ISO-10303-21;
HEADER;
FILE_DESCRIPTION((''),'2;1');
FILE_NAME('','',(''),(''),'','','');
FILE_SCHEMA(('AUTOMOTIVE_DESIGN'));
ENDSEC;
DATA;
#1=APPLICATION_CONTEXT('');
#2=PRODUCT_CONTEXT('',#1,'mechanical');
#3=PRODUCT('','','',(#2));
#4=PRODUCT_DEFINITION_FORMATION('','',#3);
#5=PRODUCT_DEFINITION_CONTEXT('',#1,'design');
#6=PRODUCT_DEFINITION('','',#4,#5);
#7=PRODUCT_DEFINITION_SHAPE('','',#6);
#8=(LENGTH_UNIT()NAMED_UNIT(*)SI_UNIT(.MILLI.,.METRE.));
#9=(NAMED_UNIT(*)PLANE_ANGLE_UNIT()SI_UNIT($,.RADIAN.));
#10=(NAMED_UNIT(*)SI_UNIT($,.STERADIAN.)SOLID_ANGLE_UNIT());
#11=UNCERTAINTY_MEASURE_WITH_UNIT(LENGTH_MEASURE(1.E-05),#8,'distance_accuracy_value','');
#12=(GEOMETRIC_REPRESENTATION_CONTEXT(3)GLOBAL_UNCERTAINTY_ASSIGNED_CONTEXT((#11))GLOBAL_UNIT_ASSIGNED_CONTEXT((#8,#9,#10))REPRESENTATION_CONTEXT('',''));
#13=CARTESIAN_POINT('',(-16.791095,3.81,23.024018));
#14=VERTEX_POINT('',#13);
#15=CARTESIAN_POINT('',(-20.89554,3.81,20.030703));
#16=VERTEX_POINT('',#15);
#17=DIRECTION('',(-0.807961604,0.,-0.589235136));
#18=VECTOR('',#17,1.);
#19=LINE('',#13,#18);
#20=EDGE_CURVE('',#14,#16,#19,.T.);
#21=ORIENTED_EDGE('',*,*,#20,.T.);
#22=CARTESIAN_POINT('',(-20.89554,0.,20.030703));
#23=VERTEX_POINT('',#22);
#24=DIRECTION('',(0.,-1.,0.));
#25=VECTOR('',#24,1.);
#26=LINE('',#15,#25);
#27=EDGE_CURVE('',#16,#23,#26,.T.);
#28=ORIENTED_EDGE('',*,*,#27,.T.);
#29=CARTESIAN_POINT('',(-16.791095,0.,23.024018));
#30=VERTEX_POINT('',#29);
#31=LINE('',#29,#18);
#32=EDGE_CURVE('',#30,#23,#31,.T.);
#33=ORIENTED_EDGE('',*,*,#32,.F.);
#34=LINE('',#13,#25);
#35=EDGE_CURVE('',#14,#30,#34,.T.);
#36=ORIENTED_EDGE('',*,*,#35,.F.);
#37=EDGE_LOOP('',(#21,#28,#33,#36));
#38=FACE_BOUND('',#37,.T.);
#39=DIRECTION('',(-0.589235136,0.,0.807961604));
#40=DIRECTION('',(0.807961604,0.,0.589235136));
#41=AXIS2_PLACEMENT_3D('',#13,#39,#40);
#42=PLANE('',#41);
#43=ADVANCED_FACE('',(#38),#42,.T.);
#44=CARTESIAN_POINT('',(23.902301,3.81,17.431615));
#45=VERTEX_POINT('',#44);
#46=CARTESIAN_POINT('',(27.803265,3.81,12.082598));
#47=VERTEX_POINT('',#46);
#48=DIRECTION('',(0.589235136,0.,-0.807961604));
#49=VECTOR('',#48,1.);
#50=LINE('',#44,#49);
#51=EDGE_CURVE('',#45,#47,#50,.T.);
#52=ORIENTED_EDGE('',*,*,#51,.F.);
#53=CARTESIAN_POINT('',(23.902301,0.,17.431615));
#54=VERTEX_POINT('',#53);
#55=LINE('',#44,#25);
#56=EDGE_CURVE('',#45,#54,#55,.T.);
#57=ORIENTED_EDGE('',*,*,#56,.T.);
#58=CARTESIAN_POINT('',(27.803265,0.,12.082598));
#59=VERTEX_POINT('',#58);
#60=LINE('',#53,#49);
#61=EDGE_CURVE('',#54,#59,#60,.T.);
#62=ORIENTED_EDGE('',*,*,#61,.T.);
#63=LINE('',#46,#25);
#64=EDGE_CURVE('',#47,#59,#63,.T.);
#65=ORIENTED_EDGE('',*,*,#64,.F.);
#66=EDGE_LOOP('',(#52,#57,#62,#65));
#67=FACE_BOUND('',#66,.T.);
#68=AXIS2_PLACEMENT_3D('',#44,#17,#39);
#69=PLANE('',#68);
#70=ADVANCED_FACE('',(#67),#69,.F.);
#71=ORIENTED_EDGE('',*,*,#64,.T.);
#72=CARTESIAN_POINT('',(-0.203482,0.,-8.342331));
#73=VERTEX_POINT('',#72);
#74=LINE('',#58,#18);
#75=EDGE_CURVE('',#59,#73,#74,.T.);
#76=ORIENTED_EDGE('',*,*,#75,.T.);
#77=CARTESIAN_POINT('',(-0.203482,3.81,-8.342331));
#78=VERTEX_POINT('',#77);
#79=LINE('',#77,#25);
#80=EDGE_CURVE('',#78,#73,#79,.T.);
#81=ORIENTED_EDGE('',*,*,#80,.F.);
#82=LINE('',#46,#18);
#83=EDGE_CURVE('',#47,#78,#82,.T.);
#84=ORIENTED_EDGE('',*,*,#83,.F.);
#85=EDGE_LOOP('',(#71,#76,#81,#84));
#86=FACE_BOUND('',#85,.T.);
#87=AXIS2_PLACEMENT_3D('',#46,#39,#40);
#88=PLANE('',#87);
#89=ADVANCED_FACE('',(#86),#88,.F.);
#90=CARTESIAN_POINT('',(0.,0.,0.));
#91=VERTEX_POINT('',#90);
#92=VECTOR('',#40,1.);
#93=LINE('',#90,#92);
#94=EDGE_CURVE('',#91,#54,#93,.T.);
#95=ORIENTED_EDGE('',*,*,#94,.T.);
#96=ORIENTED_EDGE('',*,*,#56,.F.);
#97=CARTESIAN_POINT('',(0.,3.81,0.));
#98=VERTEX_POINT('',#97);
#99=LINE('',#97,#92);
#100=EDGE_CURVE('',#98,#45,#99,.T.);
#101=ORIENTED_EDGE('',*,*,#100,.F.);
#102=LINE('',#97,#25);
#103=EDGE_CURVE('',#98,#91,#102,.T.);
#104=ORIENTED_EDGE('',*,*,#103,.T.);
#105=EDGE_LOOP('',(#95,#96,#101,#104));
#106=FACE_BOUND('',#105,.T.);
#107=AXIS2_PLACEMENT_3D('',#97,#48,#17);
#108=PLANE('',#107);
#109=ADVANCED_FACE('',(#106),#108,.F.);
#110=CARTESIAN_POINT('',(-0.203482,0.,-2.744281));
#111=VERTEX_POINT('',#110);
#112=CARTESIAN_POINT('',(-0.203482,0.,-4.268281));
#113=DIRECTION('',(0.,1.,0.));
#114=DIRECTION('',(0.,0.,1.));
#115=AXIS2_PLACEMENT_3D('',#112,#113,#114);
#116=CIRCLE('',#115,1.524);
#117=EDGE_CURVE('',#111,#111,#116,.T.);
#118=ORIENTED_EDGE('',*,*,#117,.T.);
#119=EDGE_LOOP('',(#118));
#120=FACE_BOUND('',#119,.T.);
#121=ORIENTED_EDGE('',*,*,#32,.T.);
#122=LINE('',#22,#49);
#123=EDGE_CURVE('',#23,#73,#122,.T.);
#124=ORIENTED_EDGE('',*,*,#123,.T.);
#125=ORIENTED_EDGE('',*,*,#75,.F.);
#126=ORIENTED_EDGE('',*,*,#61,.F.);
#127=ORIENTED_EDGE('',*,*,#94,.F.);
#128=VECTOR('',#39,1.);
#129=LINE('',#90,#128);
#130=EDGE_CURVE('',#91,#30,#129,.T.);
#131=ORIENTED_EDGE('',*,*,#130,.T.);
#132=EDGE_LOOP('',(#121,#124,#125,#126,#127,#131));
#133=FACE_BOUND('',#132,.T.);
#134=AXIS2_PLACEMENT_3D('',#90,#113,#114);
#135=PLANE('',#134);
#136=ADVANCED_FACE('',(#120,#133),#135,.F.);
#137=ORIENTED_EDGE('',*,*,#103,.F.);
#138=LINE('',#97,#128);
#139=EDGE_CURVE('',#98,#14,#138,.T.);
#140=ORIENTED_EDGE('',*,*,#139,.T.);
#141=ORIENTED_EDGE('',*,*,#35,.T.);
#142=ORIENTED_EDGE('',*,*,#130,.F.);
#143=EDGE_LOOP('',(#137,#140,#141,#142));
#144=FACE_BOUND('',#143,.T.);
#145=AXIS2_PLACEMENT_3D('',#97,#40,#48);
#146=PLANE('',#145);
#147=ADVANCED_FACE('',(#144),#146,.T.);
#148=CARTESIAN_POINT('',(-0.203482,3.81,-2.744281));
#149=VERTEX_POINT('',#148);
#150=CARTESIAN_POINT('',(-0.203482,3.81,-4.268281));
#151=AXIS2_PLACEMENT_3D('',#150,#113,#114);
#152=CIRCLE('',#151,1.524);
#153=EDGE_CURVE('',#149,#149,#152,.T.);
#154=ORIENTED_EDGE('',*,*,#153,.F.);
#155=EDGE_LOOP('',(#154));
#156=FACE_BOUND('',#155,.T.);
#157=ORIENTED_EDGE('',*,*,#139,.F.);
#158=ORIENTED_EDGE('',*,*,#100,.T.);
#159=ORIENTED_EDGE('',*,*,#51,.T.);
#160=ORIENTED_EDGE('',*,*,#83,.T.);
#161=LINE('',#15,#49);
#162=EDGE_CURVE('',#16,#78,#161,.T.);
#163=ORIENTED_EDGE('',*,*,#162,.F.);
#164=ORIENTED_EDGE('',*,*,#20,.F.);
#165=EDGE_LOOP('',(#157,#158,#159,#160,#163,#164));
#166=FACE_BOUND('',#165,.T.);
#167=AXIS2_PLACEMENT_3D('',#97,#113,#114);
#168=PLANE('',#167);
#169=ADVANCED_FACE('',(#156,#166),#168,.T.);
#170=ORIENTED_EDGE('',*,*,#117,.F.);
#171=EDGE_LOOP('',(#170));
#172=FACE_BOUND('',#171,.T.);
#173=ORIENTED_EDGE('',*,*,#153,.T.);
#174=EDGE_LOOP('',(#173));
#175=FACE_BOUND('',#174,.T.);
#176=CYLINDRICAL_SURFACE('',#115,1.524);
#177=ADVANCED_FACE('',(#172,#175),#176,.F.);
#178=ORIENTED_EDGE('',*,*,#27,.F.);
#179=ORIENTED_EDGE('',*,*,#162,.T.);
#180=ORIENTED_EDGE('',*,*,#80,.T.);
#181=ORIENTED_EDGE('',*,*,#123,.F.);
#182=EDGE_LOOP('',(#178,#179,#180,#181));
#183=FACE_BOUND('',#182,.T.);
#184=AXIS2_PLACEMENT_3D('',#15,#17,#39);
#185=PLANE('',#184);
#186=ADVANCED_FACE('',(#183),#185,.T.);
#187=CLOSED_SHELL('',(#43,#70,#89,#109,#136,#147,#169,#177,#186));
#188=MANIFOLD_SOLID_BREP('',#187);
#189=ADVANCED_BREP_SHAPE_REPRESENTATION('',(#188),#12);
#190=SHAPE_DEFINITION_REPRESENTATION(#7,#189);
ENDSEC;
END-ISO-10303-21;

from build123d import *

# Parameters (mm, degrees)
BOSS_EXTRUDE1_DEPTH = 3.81
SKETCH2_R           = 1.524
CUT_EXTRUDE1_DEPTH  = 4.81


with BuildPart() as part:
    # Sketch1 → Boss-Extrude1 (new body)
    with BuildSketch(Plane(origin=(0, 0, 0), x_dir=(1, 0, 0), z_dir=(0, 1, 0))):
        Polygon((0, 0), (-16.791095333, -23.024017908), (-20.895540284, -20.030703417), (-0.203481556, 8.342331293), (27.803264512, -12.082598235), (23.902301118, -17.431615036), align=None)
    extrude(amount=BOSS_EXTRUDE1_DEPTH)

    # Sketch2 → Cut-Extrude1 (cut, through all)
    with BuildSketch(Plane(origin=(0, 3.81, 0), x_dir=(1, 0, 0), z_dir=(0, 1, 0))):
        with Locations((-0.203481556, 4.268280512)):
            Circle(SKETCH2_R)
    extrude(amount=-CUT_EXTRUDE1_DEPTH, mode=Mode.SUBTRACT)


solid = part.part
